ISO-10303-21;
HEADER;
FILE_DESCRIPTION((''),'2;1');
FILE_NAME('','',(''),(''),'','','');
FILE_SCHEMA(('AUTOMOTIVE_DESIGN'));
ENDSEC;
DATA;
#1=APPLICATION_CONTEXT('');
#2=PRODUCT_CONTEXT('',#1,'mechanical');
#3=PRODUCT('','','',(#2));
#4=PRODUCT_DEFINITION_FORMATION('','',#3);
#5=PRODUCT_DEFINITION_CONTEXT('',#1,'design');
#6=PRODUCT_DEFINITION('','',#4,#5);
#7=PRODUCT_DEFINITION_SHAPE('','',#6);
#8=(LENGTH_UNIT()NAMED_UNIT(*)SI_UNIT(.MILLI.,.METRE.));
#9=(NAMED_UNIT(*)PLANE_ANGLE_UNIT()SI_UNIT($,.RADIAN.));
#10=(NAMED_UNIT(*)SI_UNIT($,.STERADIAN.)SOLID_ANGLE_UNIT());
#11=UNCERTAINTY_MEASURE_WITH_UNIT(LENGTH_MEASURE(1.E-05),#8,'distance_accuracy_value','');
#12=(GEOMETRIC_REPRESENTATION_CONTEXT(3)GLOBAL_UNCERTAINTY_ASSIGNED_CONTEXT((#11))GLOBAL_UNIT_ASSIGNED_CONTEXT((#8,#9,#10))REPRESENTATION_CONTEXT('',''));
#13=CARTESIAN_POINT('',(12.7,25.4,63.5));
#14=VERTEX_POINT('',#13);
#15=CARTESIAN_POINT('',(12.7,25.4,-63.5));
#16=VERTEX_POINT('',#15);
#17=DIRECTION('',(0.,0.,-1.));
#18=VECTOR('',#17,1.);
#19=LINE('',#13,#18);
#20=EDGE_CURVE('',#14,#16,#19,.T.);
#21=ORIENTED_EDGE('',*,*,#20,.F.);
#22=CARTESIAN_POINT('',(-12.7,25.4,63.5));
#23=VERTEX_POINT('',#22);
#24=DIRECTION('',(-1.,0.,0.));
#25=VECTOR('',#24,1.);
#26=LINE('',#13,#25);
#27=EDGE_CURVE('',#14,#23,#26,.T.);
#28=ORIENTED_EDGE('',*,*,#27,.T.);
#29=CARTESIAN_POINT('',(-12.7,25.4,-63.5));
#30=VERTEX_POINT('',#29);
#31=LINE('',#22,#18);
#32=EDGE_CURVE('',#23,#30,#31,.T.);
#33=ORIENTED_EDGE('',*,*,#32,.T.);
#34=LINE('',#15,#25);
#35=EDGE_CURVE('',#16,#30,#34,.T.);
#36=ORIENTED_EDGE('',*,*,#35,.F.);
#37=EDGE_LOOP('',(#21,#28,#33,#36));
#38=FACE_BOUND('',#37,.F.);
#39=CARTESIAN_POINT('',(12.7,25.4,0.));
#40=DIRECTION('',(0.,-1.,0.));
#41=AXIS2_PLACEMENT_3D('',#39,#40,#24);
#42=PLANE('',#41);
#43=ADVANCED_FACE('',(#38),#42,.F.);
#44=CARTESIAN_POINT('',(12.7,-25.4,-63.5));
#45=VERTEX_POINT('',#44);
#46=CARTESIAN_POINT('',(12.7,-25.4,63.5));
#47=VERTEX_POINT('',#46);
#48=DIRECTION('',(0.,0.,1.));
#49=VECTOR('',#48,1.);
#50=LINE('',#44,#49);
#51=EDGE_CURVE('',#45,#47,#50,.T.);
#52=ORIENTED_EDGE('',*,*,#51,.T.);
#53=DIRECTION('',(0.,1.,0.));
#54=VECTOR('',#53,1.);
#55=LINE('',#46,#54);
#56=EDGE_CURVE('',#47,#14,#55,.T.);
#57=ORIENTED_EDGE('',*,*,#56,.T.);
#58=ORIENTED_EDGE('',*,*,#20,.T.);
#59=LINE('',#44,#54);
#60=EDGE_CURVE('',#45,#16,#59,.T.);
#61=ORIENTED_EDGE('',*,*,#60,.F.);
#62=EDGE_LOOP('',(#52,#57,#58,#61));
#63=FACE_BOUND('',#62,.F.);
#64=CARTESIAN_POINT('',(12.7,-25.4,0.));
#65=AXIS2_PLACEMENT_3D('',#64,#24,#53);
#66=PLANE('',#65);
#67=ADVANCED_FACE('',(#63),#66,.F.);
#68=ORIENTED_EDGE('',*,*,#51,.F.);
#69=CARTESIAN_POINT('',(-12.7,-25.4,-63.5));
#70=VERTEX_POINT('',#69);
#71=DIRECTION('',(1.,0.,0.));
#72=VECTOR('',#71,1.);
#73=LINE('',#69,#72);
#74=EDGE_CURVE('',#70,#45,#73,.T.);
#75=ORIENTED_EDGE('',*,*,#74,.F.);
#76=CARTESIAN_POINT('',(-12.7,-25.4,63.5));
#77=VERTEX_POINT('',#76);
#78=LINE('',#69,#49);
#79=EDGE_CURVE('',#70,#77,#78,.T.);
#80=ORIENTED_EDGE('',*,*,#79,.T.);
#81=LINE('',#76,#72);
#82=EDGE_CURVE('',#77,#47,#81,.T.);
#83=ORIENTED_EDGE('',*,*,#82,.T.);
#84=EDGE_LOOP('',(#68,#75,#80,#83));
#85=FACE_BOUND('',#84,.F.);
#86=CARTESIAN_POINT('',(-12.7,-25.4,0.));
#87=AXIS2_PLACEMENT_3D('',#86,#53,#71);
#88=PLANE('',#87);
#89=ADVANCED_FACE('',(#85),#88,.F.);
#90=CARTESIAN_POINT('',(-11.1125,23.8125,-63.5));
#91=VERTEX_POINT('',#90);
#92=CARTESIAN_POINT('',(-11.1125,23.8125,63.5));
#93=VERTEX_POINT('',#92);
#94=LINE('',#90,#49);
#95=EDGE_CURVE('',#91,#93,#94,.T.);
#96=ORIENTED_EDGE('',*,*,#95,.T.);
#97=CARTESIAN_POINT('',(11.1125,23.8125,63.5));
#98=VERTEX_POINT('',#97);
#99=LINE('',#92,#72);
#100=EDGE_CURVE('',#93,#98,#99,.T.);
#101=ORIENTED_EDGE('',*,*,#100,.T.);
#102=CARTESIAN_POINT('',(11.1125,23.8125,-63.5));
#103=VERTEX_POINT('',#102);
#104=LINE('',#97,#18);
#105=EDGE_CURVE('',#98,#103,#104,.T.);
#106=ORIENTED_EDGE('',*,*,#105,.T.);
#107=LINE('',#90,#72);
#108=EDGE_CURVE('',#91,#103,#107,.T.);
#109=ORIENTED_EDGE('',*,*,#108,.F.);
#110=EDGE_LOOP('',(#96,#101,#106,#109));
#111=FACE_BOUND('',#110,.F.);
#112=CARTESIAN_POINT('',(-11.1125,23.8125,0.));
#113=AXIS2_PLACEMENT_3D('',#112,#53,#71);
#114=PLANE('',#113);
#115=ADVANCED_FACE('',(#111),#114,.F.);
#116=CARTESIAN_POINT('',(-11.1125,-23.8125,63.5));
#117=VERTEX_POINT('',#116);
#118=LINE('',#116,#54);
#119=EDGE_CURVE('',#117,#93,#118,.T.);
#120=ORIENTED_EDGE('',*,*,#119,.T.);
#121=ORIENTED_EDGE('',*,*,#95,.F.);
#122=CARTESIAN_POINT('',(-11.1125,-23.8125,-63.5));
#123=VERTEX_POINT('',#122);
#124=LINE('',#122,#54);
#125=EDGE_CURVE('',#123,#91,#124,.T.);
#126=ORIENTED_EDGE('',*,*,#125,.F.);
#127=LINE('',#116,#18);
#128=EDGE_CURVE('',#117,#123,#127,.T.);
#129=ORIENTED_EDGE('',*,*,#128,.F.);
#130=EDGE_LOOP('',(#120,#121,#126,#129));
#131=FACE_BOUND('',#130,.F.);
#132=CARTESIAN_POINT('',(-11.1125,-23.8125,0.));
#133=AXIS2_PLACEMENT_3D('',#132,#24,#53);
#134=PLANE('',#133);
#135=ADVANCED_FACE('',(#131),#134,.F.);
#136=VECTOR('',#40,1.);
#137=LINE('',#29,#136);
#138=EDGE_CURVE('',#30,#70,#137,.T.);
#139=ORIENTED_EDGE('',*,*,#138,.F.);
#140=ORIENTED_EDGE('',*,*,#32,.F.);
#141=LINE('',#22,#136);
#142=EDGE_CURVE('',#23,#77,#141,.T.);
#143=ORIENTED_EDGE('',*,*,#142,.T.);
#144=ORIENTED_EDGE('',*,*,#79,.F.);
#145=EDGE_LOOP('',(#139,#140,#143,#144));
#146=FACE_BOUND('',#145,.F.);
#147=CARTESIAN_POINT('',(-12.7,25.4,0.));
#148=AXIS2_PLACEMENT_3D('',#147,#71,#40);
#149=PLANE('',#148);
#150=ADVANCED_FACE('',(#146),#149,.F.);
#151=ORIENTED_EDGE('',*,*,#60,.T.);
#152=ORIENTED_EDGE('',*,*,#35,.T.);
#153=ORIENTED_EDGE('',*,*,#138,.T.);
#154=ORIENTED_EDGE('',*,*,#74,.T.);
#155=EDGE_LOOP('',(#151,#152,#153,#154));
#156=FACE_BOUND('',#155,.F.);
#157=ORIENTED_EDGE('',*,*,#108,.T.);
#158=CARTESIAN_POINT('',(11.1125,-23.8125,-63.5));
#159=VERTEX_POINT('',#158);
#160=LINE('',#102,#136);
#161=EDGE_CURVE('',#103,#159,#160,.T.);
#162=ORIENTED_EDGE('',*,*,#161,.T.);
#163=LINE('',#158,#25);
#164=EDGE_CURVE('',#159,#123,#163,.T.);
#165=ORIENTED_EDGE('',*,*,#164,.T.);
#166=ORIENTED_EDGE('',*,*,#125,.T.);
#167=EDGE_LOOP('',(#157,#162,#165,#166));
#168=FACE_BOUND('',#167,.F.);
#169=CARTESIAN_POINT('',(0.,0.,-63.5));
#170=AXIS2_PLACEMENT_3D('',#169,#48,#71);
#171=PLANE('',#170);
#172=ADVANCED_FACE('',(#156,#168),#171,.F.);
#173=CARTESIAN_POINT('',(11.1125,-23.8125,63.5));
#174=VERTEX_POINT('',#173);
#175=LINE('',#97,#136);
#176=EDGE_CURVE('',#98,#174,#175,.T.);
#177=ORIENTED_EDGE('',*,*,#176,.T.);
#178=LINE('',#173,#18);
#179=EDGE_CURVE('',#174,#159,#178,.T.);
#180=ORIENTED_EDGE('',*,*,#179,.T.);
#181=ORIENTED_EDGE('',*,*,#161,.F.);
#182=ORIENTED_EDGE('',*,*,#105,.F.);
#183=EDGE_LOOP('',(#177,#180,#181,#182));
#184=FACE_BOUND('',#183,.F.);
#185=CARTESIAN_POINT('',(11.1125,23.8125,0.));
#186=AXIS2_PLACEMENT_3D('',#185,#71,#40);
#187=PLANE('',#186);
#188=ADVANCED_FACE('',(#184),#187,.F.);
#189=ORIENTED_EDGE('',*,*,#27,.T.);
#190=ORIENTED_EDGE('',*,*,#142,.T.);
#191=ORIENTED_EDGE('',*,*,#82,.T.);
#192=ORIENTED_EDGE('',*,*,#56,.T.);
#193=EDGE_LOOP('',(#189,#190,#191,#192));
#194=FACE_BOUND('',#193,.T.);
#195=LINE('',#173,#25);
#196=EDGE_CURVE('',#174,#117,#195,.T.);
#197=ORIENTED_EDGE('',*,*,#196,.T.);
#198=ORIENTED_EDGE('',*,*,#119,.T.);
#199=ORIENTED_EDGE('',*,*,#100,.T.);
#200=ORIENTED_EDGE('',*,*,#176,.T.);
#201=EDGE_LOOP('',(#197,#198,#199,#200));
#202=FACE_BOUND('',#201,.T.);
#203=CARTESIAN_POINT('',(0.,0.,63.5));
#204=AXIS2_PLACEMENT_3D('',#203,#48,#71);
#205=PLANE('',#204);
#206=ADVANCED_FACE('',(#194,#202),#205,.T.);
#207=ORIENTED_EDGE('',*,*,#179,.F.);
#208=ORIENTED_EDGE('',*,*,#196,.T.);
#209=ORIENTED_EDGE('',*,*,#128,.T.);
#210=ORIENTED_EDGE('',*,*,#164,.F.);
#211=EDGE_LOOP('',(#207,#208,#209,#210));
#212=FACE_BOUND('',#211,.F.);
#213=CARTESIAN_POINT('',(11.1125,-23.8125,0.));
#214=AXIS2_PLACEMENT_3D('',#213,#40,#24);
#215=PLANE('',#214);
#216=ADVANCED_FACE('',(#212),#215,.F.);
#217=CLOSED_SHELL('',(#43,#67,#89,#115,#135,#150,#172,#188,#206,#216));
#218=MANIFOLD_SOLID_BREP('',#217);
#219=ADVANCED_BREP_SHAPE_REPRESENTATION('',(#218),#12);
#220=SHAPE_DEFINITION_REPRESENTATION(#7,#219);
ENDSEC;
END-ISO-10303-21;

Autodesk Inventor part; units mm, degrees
ref_plane "YZ Plane" through (0, 0, 0) normal (1, 0, 0) x (0, 1, 0)
ref_plane "XZ Plane" through (0, 0, 0) normal (0, 1, 0) x (-1, 0, 0)
ref_plane "XY Plane" through (0, 0, 0) normal (0, 0, 1) x (1, 0, 0)
sketch "Sketch1" plane through (0, 0, 0) normal (0, 0, 1) x (1, 0, 0)
  line L0 (-12.7, -25.4) -> (12.7, -25.4)
  line L1 (12.7, -25.4) -> (12.7, 25.4)
  line L2 (12.7, 25.4) -> (-12.7, 25.4)
  line L3 (-12.7, 25.4) -> (-12.7, -25.4)
  line L4 (-12.7, -25.4) -> (12.7, 25.4) construction
  line L5 (12.7, -25.4) -> (-12.7, 25.4) construction
  line L6 (-11.1125, 23.8125) -> (11.1125, 23.8125)
  line L7 (11.1125, 23.8125) -> (11.1125, -23.8125)
  line L8 (11.1125, -23.8125) -> (-11.1125, -23.8125)
  line L9 (-11.1125, -23.8125) -> (-11.1125, 23.8125)
  point P0 (0, 0)
  dimension "width" = 25.4
  dimension "height" = 50.8
  dimension "thickness" = 1.5875
extrude "Extrusion1" add sketch "Sketch1" along normal mid plane 127
properties part number "CL6-004" material "Aluminum 6061"
